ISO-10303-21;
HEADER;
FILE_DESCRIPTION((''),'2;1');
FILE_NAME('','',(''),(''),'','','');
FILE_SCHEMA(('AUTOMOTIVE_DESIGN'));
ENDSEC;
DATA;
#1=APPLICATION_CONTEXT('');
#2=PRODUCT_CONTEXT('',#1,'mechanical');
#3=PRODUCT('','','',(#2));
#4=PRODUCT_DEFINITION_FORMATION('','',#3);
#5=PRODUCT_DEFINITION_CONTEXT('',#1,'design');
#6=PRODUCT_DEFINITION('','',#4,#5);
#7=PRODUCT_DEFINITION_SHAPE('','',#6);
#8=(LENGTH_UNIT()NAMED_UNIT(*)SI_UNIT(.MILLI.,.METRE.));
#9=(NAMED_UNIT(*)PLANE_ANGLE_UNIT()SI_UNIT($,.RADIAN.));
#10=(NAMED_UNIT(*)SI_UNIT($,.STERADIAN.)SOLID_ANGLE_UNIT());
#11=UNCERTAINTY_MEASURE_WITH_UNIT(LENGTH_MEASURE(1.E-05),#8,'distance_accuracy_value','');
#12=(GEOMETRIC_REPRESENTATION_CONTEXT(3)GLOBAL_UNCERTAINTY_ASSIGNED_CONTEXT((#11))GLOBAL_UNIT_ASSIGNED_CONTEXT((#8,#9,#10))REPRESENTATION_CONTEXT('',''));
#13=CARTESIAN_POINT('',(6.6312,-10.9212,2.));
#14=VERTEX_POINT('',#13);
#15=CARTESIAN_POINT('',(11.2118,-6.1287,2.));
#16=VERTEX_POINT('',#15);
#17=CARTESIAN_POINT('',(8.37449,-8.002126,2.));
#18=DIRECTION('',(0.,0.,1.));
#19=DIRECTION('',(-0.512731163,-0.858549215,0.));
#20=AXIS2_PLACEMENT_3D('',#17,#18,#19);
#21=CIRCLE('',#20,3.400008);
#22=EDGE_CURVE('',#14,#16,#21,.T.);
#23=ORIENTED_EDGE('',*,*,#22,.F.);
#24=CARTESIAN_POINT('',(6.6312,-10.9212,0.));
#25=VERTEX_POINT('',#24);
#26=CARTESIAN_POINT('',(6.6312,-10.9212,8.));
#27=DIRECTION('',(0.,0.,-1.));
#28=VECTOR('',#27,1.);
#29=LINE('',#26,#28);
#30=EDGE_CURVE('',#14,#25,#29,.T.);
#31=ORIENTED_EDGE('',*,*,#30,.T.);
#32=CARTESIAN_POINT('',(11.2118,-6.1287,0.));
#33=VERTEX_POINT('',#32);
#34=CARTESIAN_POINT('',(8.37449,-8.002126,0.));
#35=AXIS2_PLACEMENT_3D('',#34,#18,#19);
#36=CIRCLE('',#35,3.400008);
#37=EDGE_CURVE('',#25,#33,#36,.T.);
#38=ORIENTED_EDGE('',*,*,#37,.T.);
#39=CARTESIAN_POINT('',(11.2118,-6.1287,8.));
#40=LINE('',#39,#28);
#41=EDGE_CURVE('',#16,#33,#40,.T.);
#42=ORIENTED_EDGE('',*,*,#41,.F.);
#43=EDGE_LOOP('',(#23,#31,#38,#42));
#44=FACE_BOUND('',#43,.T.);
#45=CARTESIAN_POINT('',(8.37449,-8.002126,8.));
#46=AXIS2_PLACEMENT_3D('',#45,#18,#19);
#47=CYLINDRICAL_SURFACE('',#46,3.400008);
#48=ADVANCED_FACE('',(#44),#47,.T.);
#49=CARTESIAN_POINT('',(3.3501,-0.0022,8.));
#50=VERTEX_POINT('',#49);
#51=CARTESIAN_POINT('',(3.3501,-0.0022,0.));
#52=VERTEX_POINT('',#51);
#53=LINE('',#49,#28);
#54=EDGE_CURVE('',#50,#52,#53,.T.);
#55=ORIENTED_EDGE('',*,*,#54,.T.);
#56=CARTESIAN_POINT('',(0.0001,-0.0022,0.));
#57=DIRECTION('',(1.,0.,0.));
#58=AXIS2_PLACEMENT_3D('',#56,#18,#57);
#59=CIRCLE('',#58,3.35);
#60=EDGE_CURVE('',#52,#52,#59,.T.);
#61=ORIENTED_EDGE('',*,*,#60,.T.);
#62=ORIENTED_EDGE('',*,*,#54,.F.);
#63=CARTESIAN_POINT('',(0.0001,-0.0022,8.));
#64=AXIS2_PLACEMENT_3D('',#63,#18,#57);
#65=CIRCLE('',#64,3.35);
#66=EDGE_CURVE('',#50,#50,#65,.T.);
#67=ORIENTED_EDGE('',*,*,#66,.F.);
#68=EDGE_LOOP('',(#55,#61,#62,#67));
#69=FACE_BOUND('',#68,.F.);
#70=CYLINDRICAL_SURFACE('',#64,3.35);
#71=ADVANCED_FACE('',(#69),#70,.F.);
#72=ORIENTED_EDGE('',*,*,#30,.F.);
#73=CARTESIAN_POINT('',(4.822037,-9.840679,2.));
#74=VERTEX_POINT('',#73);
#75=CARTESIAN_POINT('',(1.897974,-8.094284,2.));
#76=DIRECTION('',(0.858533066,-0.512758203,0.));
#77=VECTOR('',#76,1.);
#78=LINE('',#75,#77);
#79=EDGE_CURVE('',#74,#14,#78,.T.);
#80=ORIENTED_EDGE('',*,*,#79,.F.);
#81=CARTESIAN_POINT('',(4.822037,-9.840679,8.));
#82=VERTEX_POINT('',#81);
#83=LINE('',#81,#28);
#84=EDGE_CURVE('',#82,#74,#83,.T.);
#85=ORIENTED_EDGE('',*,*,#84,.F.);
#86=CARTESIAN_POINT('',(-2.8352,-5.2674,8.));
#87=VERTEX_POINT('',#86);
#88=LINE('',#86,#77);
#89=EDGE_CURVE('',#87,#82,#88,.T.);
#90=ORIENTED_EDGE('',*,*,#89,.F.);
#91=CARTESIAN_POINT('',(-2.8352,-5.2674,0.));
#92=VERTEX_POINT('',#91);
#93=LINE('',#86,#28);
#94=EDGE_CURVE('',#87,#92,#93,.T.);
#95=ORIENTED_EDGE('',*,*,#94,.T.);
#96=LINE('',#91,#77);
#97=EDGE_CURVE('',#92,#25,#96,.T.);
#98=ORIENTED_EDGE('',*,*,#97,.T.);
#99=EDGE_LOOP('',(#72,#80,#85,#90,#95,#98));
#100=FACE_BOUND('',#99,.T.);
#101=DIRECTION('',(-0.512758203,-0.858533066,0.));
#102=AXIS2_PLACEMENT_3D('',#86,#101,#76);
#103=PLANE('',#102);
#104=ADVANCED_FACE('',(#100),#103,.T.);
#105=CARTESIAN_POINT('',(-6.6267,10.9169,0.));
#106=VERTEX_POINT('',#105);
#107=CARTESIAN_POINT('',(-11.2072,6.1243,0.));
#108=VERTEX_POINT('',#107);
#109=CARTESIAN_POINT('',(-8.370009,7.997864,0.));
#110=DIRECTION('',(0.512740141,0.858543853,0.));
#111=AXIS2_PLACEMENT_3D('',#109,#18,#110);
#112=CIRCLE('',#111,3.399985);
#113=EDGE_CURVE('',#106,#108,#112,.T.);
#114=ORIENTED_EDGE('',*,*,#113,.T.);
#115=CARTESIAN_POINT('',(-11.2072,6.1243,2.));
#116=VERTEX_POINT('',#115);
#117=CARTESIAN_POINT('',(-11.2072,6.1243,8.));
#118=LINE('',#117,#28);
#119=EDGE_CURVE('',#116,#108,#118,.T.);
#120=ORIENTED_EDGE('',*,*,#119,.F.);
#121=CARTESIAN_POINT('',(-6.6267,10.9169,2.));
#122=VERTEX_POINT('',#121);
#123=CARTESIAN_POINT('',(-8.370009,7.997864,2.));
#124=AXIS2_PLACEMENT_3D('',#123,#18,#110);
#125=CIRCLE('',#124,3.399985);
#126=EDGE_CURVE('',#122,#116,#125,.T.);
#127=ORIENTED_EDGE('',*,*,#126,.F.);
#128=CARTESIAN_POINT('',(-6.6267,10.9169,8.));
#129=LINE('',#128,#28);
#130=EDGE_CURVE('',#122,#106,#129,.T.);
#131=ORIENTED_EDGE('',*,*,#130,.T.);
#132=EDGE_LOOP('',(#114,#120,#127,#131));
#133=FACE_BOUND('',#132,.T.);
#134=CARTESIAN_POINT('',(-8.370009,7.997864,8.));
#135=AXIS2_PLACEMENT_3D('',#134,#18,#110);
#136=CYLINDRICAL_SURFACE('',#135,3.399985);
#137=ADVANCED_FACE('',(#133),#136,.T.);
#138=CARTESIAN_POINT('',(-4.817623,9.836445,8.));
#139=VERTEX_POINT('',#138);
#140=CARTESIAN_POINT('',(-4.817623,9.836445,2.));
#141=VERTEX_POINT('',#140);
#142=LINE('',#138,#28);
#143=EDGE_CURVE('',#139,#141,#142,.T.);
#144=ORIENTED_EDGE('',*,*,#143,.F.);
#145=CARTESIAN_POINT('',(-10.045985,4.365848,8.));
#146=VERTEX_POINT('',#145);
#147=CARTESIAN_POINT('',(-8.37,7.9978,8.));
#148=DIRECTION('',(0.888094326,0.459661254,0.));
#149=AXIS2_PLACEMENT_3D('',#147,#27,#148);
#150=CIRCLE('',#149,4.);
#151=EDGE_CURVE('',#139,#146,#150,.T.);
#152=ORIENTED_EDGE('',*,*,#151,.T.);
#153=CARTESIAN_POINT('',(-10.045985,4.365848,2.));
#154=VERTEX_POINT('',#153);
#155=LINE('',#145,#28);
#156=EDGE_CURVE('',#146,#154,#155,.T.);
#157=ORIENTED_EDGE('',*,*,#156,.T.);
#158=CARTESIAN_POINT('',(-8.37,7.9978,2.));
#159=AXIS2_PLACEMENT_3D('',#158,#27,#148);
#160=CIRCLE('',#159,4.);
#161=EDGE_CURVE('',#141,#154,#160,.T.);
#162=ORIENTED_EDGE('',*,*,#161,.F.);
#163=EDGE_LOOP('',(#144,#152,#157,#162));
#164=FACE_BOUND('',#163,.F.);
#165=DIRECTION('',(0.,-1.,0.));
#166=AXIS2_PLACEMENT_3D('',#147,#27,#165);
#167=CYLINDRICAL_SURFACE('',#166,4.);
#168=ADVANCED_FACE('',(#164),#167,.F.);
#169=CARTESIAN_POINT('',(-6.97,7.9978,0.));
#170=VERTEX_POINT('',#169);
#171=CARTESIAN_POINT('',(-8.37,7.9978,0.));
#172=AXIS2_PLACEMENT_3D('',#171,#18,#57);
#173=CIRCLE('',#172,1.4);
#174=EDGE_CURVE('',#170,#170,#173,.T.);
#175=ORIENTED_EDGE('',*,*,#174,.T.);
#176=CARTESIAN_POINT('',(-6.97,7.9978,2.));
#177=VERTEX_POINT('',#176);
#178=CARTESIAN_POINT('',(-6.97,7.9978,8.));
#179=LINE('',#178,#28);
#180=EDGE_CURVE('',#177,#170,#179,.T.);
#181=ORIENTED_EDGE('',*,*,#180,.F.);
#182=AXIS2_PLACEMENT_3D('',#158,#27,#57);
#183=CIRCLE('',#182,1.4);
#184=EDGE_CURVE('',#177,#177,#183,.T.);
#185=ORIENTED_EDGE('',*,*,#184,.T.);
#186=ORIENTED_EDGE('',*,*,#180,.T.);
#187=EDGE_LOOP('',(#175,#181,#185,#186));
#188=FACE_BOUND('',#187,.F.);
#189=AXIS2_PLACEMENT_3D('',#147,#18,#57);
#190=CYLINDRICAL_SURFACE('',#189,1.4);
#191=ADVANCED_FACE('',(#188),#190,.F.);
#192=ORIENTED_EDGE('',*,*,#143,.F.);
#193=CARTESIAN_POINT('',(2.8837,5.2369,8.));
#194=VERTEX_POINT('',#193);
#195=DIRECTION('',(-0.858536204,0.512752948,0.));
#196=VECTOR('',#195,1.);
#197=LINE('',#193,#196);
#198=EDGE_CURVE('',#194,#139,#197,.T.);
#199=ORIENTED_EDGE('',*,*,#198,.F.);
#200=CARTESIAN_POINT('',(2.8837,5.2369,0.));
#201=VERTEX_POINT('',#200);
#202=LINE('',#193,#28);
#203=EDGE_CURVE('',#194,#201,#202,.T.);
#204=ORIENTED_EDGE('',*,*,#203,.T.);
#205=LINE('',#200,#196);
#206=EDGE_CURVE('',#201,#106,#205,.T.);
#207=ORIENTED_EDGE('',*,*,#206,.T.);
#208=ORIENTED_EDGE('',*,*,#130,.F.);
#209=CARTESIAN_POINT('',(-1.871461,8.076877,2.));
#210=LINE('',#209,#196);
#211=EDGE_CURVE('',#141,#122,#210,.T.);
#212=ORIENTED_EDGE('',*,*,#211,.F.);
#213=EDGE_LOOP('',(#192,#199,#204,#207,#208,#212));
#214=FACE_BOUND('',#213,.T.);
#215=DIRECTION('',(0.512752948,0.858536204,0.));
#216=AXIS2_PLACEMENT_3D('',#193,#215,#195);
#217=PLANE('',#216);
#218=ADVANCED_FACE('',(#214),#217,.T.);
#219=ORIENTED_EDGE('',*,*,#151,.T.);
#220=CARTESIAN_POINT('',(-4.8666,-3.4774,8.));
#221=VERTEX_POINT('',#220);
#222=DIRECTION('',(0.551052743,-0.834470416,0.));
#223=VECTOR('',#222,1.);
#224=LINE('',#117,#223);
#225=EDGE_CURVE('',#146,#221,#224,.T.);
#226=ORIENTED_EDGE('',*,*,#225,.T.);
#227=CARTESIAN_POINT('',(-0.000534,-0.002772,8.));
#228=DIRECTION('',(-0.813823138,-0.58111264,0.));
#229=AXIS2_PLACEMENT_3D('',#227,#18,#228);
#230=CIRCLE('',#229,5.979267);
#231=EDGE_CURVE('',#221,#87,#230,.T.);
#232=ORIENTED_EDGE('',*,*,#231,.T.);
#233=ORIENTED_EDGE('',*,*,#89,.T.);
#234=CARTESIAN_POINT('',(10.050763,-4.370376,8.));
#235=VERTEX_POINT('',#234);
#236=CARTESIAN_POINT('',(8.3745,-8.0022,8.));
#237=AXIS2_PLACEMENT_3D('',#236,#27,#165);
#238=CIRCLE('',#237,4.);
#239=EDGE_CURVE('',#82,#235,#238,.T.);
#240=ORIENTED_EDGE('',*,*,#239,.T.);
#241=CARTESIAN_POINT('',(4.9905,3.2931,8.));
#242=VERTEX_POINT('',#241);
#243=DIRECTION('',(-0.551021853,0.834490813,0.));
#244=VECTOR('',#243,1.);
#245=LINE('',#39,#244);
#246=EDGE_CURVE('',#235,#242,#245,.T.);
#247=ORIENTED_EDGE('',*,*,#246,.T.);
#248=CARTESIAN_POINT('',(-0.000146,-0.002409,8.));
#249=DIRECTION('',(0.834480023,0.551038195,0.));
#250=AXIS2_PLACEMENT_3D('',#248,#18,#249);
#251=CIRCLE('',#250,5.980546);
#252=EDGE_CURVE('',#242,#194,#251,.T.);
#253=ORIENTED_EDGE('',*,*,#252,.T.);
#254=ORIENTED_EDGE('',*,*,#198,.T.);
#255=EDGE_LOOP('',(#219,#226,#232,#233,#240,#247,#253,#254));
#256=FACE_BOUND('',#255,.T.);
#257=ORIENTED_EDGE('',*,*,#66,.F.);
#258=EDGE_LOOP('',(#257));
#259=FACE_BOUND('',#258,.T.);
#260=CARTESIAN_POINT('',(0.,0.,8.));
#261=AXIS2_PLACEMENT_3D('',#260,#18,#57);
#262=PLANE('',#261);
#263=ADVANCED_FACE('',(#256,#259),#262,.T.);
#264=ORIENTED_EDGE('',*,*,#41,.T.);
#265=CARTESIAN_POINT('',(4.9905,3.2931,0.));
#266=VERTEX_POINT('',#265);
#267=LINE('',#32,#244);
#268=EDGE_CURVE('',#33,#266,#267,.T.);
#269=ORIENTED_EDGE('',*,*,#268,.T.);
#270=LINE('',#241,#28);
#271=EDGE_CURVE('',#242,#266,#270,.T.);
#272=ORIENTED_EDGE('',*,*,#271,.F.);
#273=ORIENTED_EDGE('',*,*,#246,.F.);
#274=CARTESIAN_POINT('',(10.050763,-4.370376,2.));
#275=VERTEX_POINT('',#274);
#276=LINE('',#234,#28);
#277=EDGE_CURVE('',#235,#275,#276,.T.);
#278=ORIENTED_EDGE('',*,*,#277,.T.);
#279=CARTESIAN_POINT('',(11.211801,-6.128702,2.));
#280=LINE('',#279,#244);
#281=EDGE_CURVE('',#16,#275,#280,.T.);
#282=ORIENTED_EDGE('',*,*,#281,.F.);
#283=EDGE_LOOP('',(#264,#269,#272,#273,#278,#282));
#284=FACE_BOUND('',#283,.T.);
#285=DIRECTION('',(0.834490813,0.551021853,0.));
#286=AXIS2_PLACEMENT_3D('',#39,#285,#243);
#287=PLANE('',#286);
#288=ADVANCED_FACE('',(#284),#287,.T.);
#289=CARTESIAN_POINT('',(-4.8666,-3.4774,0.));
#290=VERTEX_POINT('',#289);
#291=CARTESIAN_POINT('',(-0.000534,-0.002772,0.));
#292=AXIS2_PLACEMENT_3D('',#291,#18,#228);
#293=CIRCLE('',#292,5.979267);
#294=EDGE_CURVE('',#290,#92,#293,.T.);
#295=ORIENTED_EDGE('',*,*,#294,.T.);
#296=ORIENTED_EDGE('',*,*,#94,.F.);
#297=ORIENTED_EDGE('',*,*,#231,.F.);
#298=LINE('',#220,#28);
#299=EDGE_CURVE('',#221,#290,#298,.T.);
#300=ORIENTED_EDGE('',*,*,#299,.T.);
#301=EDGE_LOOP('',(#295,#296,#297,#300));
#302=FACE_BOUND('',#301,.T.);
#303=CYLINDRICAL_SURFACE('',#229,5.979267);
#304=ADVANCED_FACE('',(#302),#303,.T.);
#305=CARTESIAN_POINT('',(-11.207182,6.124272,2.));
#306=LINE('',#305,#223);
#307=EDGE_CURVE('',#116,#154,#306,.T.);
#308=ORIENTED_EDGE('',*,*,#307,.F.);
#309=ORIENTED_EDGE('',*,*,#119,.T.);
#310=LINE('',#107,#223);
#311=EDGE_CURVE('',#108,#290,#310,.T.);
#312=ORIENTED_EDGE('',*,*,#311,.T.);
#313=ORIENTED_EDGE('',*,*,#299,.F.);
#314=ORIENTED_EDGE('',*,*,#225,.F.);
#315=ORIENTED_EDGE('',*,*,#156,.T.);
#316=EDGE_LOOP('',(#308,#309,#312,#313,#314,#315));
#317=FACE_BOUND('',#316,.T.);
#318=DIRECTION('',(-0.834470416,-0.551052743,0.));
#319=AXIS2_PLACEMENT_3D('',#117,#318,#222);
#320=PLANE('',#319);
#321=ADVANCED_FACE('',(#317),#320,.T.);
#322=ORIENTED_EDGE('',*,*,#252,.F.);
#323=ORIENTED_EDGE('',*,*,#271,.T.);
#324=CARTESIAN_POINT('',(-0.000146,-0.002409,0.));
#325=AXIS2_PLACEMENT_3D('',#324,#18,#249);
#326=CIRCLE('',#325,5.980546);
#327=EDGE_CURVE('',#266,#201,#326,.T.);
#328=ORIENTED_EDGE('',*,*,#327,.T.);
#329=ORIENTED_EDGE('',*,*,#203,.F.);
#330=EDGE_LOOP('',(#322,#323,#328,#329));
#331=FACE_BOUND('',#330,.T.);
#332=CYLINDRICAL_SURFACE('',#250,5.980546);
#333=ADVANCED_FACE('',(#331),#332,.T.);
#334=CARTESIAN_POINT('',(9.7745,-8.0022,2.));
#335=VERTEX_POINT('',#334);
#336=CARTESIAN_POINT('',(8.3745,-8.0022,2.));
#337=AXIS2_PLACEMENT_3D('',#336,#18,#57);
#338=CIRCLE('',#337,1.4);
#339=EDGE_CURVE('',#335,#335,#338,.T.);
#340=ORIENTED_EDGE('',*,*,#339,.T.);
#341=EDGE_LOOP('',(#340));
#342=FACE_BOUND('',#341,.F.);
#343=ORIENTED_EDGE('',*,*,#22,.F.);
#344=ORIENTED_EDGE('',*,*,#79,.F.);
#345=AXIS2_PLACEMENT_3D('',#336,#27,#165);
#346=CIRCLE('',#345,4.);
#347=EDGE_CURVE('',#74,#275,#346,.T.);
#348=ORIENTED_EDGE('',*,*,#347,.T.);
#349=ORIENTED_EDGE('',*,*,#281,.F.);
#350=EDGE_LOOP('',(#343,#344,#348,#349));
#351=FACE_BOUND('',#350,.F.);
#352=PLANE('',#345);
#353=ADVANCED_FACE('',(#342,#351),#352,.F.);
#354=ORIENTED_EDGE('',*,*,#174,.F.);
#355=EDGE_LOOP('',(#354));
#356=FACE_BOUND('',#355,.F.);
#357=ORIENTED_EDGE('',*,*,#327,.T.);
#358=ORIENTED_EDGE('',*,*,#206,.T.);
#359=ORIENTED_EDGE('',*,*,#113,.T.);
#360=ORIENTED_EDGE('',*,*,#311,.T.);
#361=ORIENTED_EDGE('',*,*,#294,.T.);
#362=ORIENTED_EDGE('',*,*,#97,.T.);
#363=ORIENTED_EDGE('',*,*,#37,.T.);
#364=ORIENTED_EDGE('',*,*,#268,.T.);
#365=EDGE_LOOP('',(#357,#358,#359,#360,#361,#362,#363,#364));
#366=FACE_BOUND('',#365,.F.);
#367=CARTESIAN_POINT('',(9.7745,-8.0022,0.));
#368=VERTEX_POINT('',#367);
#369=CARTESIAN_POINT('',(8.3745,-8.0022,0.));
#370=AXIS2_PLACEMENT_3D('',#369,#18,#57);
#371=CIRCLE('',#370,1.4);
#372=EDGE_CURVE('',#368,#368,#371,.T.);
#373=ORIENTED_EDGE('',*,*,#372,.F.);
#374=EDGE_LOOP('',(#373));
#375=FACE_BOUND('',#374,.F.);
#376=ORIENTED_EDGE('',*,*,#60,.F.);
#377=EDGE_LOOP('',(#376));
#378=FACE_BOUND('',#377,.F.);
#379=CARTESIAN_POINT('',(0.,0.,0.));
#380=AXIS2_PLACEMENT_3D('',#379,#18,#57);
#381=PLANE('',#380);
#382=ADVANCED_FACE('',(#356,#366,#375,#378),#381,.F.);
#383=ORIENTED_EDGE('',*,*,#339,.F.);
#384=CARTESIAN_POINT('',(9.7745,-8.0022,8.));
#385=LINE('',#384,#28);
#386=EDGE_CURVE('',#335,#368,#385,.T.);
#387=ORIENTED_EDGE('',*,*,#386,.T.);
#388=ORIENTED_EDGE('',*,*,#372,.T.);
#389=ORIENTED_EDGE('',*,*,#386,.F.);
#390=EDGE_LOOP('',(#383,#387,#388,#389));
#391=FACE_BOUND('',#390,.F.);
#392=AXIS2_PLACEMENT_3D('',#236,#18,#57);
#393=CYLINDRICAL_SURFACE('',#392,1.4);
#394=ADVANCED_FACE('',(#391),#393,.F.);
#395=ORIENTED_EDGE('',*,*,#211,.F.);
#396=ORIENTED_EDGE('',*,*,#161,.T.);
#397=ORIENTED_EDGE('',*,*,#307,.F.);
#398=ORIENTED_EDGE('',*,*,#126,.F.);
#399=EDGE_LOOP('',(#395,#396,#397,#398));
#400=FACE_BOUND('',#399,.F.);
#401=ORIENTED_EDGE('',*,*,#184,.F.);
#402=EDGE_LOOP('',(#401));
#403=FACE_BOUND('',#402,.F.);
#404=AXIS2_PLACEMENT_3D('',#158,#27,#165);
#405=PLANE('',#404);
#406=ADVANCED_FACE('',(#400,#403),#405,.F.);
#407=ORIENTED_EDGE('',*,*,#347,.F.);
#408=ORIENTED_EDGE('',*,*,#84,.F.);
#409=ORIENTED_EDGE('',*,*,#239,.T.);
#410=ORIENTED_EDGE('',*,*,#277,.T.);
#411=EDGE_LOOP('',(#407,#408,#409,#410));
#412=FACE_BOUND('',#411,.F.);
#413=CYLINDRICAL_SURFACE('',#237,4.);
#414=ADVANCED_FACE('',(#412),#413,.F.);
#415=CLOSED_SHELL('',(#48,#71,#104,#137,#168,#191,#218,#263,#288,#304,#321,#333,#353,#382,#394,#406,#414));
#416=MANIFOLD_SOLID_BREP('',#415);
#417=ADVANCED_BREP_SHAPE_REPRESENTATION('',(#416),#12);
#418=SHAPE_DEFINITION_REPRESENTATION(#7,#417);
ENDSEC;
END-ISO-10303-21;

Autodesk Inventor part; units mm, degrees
ref_plane "YZ Plane" through (0, 0, 0) normal (1, 0, 0) x (0, 1, 0)
ref_plane "XZ Plane" through (0, 0, 0) normal (0, 1, 0) x (-1, 0, 0)
ref_plane "XY Plane" through (0, 0, 0) normal (0, 0, 1) x (1, 0, 0)
sketch "Skizze1" plane through (0, 0, 0) normal (0, 0, 1) x (1, 0, 0)
  circle A0 centre (0.0001, -0.0022) radius 3.9802 projected
  circle A1 centre (-8.37, 7.9978) radius 1.4 projected
  circle A2 centre (8.3745, -8.0022) radius 1.4 projected
  line L0 (-9.5383, 7.2264) -> (-3.2198, -2.3418)
  line L1 (-7.6522, 9.1998) -> (1.8915, 3.4999)
  line L2 (9.5428, -7.2307) -> (3.3215, 2.191)
  line L3 (-1.8517, -3.5253) -> (7.6567, -9.2041)
  point P0 (0, 0)
extrude "Extrusion1" add sketch "Skizze1" along normal blind 8
sketch "Skizze2" plane through (0, 0, 8) normal (0, 0, 1) x (1, 0, 0)
  arc A0 (-7.6522, 9.1998) -> (-9.5383, 7.2264) centre (-8.37, 7.9978) ccw projected
  line L0 (-9.5383, 7.2264) -> (-3.2198, -2.3418) projected
  arc A1 (-3.2198, -2.3418) -> (-1.8517, -3.5253) centre (0.0001, -0.0022) ccw projected
  line L1 (-1.8517, -3.5253) -> (7.6567, -9.2041) projected
  arc A2 (7.6567, -9.2041) -> (9.5428, -7.2307) centre (8.3745, -8.0022) ccw projected
  line L2 (9.5428, -7.2307) -> (3.3215, 2.191) projected
  arc A3 (3.3215, 2.191) -> (1.8915, 3.4999) centre (0.0001, -0.0022) ccw projected
  line L3 (1.8915, 3.4999) -> (-7.6522, 9.1998) projected
  arc A4 (-6.6267, 10.9169) -> (-11.2072, 6.1243) centre (-8.37, 7.9978) ccw
  line L4 (-11.2072, 6.1243) -> (-4.8666, -3.4774)
  arc A5 (-4.8666, -3.4774) -> (-2.8352, -5.2674) centre (0.0001, -0.0022) ccw
  line L5 (-2.8352, -5.2674) -> (6.6312, -10.9212)
  arc A6 (6.6312, -10.9212) -> (11.2118, -6.1287) centre (8.3745, -8.0022) ccw
  line L6 (11.2118, -6.1287) -> (4.9905, 3.2931)
  arc A7 (4.9905, 3.2931) -> (2.8837, 5.2369) centre (0.0001, -0.0022) ccw
  line L7 (2.8837, 5.2369) -> (-6.6267, 10.9169)
  point P0 (0, 0)
  dimension "d2" = 2
extrude "Extrusion2" add sketch "Skizze2" against normal up to surface (8 mm away)
sketch "Skizze3" plane through (0, 0, 8) normal (0, 0, 1) x (1, 0, 0)
  circle A0 centre (0.0001, -0.0022) radius 3.9802 projected
  circle A1 centre (-8.37, 7.9978) radius 1.4 projected
  circle A2 centre (8.3745, -8.0022) radius 1.4 projected
  circle A3 centre (0.0001, -0.0022) radius 3.35
  point P0 (0, 0)
  dimension "d5" = 6.7
extrude "Extrusion3" cut sketch "Skizze3" against normal through all contours A1 | A2 | A3
sketch "Skizze4" plane through (0, 0, 8) normal (0, 0, 1) x (1, 0, 0)
  circle A0 centre (-8.37, 7.9978) radius 1.4 projected
  circle A1 centre (8.3745, -8.0022) radius 1.4 projected
  point P0 (0, 0)
hole "Bohrung1" at (-8.37, 7.9978, 8) at (8.3745, -8.0022, 8) direction (0, 0, -1) diameter 2.8 end through all counterbore diameter 8 counterbore depth 6
properties part number "IM_Lensholder"
